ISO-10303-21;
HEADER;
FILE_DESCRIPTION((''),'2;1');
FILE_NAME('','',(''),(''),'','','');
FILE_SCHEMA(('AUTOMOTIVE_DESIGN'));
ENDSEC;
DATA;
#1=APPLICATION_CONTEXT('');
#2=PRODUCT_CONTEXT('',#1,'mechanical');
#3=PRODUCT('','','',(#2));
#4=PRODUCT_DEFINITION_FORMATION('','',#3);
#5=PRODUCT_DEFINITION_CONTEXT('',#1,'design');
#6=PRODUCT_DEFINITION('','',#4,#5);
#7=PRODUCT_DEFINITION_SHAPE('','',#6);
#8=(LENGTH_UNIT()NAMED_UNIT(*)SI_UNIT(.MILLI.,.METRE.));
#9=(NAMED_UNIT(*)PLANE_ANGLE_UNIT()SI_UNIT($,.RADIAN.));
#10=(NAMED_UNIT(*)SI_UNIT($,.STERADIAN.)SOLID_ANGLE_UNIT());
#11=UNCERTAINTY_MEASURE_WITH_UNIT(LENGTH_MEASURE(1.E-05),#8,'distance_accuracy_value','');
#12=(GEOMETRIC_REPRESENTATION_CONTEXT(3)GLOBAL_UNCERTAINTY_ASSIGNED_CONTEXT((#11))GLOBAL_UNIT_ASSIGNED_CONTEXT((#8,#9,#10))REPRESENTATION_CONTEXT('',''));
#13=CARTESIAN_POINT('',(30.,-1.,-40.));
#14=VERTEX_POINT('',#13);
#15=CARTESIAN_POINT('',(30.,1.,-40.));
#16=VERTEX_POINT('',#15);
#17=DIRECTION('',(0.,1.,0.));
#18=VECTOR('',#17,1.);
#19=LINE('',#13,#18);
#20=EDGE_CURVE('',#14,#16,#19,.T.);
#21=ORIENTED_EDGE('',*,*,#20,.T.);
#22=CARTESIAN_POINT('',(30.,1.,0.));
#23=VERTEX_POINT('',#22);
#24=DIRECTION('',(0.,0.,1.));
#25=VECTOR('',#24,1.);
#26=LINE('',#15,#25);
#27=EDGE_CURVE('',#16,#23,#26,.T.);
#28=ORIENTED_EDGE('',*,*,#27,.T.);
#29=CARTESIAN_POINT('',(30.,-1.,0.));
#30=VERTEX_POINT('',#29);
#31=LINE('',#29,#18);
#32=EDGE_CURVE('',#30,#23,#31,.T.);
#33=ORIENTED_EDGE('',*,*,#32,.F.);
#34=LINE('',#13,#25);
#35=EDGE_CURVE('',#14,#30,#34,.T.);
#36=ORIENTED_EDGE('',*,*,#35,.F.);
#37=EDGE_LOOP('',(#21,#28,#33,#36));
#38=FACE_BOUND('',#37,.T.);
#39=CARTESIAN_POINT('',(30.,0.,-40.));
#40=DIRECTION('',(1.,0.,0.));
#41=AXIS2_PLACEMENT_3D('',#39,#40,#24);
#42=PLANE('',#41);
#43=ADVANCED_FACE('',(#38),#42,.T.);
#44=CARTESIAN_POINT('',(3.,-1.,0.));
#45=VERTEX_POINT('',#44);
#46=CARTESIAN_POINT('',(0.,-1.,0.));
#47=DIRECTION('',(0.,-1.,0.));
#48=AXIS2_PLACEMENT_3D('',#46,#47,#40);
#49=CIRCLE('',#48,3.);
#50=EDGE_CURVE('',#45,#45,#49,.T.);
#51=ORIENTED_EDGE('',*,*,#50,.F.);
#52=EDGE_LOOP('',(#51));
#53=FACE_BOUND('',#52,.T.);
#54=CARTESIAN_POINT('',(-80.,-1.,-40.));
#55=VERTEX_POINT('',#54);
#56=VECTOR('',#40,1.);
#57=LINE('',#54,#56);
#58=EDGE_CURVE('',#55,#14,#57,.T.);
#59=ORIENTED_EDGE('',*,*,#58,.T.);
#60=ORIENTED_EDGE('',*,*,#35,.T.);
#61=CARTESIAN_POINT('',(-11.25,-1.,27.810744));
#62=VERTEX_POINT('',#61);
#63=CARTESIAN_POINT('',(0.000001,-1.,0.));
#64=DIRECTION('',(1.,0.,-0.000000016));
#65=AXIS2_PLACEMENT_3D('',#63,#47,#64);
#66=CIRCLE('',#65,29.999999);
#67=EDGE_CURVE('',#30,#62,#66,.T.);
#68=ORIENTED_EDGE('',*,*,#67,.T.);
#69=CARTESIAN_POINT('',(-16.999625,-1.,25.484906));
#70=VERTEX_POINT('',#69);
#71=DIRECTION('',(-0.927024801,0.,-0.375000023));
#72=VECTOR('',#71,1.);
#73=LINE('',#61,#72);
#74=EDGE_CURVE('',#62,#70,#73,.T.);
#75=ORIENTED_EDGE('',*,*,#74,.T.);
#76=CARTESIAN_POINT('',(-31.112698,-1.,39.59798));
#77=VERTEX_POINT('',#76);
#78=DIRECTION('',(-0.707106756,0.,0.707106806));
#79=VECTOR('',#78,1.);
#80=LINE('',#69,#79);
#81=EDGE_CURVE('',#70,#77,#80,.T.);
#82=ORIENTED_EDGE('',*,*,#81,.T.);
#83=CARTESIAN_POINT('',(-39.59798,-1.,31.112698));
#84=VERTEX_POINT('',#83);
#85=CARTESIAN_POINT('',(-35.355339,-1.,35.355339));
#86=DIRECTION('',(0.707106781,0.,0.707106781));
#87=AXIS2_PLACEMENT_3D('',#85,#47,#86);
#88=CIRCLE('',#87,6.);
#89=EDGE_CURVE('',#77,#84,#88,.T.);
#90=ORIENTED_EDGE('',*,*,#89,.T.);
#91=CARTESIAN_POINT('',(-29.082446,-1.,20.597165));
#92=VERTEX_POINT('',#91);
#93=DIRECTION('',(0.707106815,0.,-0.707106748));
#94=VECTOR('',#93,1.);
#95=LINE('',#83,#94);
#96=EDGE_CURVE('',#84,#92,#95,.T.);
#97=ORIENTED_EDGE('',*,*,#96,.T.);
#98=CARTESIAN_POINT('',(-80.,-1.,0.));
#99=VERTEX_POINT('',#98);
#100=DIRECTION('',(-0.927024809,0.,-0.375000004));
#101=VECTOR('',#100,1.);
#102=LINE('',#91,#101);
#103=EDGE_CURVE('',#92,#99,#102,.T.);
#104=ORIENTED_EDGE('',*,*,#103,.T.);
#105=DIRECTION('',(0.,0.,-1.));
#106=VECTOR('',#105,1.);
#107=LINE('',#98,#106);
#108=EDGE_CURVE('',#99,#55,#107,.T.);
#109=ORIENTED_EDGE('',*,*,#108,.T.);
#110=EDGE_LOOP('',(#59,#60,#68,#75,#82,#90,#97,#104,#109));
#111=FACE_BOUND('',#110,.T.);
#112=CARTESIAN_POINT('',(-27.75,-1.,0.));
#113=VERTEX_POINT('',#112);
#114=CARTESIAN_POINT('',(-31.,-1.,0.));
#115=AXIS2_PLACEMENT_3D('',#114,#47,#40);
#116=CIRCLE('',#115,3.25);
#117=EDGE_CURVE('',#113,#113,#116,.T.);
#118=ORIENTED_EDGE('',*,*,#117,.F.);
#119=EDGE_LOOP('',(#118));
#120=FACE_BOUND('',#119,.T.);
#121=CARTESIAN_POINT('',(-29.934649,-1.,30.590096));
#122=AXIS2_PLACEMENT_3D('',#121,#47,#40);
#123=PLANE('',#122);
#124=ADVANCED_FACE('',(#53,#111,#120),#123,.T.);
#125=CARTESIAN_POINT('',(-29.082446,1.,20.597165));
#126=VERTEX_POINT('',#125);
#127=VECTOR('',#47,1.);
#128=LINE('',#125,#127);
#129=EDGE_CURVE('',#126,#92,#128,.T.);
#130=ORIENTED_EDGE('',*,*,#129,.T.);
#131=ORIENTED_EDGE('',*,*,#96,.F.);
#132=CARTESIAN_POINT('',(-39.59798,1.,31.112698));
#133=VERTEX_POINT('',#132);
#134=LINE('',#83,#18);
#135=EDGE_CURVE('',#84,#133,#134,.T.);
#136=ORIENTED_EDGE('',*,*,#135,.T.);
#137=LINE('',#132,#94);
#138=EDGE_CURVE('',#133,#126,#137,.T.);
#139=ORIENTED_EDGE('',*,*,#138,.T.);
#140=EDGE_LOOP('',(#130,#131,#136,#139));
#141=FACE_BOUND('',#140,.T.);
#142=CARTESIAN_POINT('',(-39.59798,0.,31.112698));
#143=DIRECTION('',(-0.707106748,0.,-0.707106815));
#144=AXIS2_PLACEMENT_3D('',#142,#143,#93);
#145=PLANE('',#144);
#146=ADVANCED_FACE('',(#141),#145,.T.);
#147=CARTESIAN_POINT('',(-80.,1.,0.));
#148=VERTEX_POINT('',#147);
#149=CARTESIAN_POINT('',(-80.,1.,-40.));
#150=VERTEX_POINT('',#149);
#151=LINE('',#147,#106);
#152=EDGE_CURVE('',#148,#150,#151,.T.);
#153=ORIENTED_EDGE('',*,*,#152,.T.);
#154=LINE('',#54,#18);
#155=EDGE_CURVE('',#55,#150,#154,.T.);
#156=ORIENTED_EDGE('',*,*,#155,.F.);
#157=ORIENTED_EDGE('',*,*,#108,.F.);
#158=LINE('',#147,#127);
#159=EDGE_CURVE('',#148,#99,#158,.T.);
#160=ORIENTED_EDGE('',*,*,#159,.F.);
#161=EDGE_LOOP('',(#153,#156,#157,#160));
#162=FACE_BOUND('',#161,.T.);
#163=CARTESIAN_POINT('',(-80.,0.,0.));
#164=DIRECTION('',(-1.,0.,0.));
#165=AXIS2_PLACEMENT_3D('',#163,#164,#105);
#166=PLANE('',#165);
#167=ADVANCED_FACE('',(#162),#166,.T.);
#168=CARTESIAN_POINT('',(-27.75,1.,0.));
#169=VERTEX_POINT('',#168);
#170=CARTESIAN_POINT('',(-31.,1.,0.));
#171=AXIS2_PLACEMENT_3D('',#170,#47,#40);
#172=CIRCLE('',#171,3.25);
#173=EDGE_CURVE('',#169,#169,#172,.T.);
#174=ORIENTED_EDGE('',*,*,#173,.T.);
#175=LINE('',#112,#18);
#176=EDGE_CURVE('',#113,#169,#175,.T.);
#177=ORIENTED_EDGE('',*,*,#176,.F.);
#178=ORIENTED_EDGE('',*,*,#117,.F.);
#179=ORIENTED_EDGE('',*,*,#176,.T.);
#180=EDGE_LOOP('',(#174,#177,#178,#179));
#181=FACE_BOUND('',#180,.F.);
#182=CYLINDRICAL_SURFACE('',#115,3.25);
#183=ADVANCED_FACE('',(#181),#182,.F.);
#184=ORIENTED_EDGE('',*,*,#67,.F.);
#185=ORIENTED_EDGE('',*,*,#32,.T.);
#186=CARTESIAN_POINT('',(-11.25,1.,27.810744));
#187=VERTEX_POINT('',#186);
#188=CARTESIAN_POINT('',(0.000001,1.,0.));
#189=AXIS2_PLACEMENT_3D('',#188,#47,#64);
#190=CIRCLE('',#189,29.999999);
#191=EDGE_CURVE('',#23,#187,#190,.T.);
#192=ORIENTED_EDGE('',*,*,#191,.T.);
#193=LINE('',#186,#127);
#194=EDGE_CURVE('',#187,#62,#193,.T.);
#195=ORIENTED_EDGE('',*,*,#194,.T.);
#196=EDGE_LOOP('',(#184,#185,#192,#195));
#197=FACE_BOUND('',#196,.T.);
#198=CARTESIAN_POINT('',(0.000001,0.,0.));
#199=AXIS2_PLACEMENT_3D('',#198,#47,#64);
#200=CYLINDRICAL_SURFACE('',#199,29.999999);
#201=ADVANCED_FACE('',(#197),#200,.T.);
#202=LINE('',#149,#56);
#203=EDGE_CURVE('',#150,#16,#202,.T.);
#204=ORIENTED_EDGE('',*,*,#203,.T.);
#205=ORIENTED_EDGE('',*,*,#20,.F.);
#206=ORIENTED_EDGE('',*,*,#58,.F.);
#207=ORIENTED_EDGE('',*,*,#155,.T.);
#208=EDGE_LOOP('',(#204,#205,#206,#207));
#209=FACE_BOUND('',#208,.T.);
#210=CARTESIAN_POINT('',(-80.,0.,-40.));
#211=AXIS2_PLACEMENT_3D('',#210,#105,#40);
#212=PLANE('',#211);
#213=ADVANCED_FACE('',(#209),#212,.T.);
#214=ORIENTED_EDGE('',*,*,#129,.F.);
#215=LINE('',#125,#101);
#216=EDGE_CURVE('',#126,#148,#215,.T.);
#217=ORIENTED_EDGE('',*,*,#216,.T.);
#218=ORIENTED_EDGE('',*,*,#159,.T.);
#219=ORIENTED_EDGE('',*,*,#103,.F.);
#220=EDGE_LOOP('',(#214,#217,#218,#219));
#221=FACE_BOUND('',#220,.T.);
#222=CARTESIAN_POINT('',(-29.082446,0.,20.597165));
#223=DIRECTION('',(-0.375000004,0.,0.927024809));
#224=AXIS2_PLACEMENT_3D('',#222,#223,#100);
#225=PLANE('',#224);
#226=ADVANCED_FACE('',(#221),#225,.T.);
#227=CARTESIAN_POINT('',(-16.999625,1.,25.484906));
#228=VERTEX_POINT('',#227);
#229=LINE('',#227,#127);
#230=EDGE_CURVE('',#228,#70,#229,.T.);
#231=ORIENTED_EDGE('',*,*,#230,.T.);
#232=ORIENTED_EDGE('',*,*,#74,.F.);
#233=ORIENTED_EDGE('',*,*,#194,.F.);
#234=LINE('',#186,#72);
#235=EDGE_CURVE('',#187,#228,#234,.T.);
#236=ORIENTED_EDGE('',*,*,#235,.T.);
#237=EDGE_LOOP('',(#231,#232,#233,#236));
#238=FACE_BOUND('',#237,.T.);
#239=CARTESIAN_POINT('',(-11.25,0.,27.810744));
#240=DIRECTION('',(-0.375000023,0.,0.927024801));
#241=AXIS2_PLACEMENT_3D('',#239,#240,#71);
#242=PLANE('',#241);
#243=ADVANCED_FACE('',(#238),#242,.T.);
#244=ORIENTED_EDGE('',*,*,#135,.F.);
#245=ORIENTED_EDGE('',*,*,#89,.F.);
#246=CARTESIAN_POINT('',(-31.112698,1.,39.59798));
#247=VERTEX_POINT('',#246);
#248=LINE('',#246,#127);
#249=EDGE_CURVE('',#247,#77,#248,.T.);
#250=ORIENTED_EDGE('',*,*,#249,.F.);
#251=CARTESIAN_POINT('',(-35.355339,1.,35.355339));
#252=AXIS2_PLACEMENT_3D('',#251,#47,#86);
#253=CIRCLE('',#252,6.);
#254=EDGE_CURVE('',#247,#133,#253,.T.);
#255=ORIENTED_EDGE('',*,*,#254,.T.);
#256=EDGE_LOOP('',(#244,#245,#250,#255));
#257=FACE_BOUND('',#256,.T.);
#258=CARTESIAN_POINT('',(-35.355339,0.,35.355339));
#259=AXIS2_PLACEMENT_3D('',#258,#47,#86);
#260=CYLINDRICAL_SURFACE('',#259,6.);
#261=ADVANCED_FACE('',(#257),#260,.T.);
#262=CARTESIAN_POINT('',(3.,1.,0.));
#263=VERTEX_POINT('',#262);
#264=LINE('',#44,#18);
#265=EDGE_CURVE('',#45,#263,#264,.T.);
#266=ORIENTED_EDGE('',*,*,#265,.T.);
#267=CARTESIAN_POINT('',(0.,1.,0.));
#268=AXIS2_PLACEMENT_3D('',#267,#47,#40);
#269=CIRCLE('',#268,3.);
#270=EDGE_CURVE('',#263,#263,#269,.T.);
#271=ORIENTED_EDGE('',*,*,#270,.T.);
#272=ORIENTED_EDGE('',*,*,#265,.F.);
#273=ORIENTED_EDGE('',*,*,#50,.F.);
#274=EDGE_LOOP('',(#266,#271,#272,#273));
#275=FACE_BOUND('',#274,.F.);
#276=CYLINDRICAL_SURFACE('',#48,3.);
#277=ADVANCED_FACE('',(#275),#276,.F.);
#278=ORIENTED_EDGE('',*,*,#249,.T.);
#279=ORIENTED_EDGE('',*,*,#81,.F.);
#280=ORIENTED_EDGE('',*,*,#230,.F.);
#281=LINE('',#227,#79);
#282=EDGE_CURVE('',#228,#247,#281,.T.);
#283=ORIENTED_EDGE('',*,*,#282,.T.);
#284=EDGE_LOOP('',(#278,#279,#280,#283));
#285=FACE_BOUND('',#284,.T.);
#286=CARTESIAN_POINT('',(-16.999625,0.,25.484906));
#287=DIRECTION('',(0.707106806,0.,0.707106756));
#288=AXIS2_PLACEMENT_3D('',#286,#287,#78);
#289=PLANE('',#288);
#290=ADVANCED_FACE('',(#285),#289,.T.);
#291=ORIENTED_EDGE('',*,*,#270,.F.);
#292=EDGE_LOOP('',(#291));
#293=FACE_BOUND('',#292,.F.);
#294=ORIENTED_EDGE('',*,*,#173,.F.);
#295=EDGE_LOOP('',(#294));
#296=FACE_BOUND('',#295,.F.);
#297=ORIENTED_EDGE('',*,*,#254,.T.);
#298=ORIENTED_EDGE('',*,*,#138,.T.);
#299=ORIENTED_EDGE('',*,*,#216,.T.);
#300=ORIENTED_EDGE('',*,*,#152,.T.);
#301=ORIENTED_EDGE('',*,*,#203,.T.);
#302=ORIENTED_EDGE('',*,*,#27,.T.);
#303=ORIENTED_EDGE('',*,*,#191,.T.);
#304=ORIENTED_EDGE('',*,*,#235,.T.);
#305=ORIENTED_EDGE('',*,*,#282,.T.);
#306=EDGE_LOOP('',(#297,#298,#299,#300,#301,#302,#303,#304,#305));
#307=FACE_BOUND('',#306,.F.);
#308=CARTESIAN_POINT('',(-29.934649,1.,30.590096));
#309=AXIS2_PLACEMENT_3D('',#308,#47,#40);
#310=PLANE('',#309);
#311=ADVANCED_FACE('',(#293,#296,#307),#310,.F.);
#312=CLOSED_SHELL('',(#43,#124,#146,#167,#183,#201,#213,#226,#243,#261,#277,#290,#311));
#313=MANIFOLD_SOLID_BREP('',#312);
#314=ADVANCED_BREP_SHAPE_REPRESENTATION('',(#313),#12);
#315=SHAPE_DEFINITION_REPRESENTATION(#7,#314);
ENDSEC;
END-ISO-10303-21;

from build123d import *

# Parameters (mm, degrees)
F1_DEPTH = 1
F2_R     = 3
F2_R_2   = 3.25
F3_DEPTH = 2.001
F4_DEPTH = 1


with BuildPart() as f1:
    # F0 (on Front) → F1 (new body, symmetric)
    with BuildSketch(Plane.XZ):
        with BuildLine():
            ThreePointArc((30, 0), (16.77051, 24.874686), (-11.25, 27.810744))
            Line((-11.25, 27.810744), (-16.999625, 25.484906))
            Line((-16.999625, 25.484906), (-29.082446, 20.597165))
            Line((-29.082446, 20.597165), (-80, 0))
            Line((-80, 0), (-80, -40))
            Line((-80, -40), (30, -40))
            Line((30, -40), (30, 0))
        make_face()
    extrude(amount=F1_DEPTH, both=True)

    # F2 (on face) → F3 (cut, through all)
    with BuildSketch(Plane.XZ.offset(1)):
        Circle(F2_R)
        with Locations((-31, 0)):
            Circle(F2_R_2)
    extrude(amount=-F3_DEPTH, mode=Mode.SUBTRACT)

    # F0 (on Front) → F4 (join, symmetric)
    with BuildSketch(Plane.XZ):
        with BuildLine():
            Line((-29.082446, 20.597165), (-16.999625, 25.484906))
            Line((-16.999625, 25.484906), (-31.112698, 39.59798))
            ThreePointArc((-31.112698, 39.59798), (-39.59798, 39.59798), (-39.59798, 31.112698))
            Line((-39.59798, 31.112698), (-29.082446, 20.597165))
        make_face()
    extrude(amount=F4_DEPTH, both=True)


solid = f1.part
